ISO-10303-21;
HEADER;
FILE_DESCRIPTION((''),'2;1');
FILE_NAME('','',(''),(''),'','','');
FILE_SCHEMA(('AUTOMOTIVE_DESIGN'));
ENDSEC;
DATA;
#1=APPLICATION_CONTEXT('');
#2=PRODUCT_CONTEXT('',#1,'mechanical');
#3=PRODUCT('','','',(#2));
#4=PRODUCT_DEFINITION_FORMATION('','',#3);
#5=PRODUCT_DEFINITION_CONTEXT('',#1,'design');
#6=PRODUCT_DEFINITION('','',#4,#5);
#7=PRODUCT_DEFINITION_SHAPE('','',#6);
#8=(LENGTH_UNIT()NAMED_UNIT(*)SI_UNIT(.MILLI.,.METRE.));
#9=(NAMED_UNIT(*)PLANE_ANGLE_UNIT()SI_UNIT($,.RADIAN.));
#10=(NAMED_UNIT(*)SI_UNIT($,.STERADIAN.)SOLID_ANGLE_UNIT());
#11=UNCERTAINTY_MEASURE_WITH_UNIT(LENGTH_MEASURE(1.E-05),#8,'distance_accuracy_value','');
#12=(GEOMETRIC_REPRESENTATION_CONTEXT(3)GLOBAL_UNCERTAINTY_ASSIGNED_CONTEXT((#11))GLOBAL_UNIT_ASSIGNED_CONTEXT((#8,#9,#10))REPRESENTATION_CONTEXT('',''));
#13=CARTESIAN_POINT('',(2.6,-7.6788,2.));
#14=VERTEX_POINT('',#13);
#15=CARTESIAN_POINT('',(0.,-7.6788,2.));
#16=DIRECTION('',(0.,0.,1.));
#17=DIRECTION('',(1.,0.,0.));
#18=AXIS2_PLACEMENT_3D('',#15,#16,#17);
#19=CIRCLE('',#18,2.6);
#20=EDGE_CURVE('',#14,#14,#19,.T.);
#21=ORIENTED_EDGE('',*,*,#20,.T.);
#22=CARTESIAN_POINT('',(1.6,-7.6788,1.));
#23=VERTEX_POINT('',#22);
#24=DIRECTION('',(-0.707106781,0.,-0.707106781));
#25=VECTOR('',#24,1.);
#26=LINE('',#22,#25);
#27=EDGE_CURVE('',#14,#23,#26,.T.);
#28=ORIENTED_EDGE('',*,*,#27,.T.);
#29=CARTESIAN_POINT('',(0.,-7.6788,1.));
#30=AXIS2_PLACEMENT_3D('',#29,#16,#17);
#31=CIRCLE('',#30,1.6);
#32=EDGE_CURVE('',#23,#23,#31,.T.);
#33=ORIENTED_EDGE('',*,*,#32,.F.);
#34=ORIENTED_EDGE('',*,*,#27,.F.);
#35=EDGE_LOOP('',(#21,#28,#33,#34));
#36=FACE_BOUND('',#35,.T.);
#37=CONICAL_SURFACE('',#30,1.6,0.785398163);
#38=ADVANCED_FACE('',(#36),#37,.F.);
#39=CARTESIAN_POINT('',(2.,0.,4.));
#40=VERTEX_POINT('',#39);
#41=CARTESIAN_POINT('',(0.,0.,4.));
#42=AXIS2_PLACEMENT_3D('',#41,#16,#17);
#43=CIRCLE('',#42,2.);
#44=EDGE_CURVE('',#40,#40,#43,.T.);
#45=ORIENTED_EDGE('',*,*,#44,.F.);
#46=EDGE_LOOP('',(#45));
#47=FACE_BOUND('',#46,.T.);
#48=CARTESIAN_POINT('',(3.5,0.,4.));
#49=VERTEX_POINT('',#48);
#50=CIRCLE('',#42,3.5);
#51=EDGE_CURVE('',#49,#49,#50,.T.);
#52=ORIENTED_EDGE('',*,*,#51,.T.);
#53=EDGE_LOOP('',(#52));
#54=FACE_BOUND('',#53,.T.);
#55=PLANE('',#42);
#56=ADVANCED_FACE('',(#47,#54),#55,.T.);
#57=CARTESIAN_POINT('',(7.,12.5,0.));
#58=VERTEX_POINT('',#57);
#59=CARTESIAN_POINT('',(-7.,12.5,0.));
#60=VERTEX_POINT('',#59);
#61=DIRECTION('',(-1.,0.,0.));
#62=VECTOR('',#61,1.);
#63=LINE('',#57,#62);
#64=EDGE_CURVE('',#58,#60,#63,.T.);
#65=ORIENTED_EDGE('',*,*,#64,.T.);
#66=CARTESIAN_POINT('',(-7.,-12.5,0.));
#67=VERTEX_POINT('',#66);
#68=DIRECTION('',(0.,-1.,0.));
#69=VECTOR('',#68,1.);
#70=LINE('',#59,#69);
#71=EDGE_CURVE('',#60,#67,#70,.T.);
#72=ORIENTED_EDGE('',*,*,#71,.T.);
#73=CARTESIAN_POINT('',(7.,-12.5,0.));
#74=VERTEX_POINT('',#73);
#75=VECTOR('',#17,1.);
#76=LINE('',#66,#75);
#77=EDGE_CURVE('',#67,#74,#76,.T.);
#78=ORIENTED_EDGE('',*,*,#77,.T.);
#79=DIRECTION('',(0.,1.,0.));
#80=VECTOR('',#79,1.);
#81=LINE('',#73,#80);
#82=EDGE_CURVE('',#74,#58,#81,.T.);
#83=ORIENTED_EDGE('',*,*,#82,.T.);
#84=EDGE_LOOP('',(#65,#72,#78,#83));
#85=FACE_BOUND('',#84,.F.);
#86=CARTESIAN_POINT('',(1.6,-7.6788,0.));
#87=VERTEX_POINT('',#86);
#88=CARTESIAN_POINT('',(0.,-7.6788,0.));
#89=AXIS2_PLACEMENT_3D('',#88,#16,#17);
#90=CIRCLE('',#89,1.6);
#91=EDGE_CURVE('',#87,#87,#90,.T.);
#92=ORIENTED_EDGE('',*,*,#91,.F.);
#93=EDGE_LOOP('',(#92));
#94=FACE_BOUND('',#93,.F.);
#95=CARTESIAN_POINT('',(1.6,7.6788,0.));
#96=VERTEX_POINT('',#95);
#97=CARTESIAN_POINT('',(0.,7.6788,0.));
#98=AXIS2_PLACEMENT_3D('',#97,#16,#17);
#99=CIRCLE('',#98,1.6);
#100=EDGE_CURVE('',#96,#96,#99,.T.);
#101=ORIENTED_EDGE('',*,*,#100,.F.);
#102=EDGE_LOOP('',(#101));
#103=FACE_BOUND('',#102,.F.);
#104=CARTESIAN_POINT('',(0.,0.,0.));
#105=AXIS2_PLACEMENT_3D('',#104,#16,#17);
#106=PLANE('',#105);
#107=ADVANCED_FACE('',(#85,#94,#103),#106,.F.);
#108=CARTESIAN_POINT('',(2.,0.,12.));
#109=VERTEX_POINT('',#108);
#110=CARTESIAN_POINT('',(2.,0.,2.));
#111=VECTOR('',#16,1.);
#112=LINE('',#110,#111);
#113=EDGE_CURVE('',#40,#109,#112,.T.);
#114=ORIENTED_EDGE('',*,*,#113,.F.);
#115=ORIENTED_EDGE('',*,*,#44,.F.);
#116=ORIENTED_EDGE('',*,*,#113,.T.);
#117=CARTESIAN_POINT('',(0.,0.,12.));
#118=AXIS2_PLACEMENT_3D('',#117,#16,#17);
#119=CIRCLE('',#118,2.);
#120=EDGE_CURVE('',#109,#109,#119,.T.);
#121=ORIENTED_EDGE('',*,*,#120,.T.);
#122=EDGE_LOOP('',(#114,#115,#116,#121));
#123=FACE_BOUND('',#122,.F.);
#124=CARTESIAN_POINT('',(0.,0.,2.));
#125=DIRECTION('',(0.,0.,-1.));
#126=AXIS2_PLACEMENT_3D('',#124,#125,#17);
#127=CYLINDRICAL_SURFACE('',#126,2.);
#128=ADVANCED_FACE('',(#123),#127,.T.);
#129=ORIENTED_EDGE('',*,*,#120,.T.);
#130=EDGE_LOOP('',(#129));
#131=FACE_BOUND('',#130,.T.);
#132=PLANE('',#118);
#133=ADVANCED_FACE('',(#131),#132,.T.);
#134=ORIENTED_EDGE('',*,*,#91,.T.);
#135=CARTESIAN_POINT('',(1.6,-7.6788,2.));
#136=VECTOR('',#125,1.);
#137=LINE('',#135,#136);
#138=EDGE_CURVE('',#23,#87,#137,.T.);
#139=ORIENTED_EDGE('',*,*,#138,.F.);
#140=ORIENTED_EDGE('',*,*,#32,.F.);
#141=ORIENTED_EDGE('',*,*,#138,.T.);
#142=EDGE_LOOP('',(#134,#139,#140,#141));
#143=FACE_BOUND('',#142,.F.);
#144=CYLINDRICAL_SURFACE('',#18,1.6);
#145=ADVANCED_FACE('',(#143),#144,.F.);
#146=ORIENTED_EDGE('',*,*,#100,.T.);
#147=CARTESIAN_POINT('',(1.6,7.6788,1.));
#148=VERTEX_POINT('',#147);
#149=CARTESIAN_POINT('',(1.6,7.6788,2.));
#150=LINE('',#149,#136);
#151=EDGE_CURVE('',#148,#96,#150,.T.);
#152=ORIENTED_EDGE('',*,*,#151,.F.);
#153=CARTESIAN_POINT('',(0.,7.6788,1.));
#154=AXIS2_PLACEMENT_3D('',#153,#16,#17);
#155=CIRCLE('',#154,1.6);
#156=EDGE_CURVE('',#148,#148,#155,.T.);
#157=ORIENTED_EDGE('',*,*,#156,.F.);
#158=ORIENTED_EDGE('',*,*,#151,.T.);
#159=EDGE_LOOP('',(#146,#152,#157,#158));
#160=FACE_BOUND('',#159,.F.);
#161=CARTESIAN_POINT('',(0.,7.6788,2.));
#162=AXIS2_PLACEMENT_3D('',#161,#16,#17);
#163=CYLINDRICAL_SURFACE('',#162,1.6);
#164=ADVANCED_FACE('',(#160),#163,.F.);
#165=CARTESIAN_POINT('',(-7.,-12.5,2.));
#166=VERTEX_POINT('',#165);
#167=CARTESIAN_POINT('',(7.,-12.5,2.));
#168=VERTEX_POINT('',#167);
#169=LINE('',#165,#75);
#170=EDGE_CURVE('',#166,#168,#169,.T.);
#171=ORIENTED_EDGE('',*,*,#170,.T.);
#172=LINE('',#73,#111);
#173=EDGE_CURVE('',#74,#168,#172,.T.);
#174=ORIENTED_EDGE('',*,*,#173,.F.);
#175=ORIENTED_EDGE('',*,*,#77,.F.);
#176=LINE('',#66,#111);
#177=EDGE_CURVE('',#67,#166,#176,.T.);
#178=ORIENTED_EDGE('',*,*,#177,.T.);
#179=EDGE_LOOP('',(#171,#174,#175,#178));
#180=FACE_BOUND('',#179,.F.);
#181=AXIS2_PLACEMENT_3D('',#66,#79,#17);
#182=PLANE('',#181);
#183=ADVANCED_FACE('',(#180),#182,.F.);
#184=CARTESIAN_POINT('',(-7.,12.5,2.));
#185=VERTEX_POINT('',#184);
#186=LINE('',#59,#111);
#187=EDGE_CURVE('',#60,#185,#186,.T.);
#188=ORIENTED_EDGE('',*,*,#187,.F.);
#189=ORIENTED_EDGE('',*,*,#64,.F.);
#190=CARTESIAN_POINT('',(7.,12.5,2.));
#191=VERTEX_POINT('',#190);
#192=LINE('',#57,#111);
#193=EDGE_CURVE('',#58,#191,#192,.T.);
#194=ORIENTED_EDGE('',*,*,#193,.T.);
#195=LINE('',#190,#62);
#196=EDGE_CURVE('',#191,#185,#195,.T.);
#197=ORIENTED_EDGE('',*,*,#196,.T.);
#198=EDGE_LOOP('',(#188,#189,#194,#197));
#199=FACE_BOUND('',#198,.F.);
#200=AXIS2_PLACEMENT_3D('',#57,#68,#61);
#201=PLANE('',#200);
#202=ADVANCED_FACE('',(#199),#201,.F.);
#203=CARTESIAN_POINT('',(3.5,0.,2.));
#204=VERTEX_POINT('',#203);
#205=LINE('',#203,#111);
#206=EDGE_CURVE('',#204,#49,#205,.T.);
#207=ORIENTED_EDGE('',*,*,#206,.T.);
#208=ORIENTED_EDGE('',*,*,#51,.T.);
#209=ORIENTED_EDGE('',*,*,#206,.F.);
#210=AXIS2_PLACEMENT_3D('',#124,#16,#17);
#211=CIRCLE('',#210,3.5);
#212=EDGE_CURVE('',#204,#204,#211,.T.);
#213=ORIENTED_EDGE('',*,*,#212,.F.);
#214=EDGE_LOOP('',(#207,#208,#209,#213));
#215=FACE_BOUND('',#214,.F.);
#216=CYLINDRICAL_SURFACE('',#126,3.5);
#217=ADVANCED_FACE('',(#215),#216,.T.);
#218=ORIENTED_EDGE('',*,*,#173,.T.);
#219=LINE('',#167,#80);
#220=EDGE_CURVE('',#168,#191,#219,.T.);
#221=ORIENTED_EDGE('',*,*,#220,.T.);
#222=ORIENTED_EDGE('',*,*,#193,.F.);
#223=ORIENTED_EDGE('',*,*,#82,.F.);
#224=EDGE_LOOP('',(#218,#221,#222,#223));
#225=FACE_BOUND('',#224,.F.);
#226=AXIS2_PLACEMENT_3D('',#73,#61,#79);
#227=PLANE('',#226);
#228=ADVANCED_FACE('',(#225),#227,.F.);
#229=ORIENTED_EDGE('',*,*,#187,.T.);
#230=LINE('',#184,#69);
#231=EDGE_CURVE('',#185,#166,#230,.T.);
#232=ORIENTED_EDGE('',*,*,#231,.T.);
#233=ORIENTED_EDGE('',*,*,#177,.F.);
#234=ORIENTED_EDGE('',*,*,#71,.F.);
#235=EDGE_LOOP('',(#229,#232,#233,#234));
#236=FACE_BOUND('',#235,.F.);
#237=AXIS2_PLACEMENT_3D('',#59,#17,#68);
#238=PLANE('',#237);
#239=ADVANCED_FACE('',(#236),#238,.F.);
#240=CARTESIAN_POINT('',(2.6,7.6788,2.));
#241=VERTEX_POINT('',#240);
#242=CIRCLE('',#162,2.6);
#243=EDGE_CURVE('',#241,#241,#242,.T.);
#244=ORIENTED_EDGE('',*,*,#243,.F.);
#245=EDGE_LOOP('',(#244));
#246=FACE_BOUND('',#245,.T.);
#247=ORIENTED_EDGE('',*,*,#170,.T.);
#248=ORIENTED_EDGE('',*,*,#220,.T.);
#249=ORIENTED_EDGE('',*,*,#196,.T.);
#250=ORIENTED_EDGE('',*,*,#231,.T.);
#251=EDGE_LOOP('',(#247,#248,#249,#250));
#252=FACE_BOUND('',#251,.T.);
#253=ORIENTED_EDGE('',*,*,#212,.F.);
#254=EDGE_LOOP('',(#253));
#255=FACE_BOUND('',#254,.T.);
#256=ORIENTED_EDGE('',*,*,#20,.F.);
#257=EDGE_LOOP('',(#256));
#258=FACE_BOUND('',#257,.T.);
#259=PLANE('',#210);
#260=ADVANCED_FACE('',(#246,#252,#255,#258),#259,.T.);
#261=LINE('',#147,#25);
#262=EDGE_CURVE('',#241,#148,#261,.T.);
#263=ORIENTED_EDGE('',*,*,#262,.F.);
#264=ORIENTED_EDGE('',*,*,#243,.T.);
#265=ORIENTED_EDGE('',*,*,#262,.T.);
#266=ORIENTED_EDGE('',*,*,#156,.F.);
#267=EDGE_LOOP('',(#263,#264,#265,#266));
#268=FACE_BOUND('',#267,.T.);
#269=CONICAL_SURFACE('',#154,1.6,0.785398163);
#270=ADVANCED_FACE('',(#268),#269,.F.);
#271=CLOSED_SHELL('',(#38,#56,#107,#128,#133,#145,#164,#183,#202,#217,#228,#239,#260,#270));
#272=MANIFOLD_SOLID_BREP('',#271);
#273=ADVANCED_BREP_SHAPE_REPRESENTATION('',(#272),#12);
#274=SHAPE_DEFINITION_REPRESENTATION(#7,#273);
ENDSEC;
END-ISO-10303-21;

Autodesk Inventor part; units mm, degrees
ref_plane "YZ Plane" through (0, 0, 0) normal (1, 0, 0) x (0, 1, 0)
ref_plane "XZ Plane" through (0, 0, 0) normal (0, 1, 0) x (-1, 0, 0)
ref_plane "XY Plane" through (0, 0, 0) normal (0, 0, 1) x (1, 0, 0)
sketch "Sketch1" plane through (0, 0, 0) normal (0, 0, 1) x (1, 0, 0)
  line L0 (-7, -12.5) -> (7, -12.5)
  line L1 (7, -12.5) -> (7, 12.5)
  line L2 (7, 12.5) -> (-7, 12.5)
  line L3 (-7, 12.5) -> (-7, -12.5)
  line L4 (-7, -12.5) -> (7, 12.5) construction
  line L5 (7, -12.5) -> (-7, 12.5) construction
  point P0 (0, 0)
  dimension "d0" = 14
  dimension "d1" = 25
extrude "Extrusion1" add sketch "Sketch1" along normal blind 2
sketch "Sketch2" plane through (0, 0, 2) normal (0, 0, 1) x (1, 0, 0)
  circle A0 centre (0, 7.6788) radius 1.6
  line L0 (-7, 12.5) -> (-7, -12.5) construction
  line L1 (-7, 0) -> (7, 0) construction
  line L2 (7, -12.5) -> (7, 12.5) construction
  circle A1 centre (0, -7.6788) radius 1.6
  point P0 (0, 0)
  dimension "d4" = 3.2
extrude "Extrusion2" cut sketch "Sketch2" against normal blind 2
sketch "Sketch3" plane through (0, 0, 2) normal (0, 0, 1) x (1, 0, 0)
  circle A0 centre (0, 0) radius 2
  dimension "d7" = 4
extrude "Extrusion3" add sketch "Sketch3" along normal blind 10
sketch "Sketch4" plane through (0, 0, 2) normal (0, 0, 1) x (1, 0, 0)
  circle A0 centre (0, 0) radius 2 projected
  circle A1 centre (0, 0) radius 3.5
  dimension "d10" = 1.5
extrude "Extrusion4" add sketch "Sketch4" along normal blind 2
chamfer "Chamfer1" distance 1 angle 45 2 edges at (-1.6, -7.6788, 2) (-1.6, 7.6788, 2)
properties part number "BearingMount-ExtrusionBtm"
